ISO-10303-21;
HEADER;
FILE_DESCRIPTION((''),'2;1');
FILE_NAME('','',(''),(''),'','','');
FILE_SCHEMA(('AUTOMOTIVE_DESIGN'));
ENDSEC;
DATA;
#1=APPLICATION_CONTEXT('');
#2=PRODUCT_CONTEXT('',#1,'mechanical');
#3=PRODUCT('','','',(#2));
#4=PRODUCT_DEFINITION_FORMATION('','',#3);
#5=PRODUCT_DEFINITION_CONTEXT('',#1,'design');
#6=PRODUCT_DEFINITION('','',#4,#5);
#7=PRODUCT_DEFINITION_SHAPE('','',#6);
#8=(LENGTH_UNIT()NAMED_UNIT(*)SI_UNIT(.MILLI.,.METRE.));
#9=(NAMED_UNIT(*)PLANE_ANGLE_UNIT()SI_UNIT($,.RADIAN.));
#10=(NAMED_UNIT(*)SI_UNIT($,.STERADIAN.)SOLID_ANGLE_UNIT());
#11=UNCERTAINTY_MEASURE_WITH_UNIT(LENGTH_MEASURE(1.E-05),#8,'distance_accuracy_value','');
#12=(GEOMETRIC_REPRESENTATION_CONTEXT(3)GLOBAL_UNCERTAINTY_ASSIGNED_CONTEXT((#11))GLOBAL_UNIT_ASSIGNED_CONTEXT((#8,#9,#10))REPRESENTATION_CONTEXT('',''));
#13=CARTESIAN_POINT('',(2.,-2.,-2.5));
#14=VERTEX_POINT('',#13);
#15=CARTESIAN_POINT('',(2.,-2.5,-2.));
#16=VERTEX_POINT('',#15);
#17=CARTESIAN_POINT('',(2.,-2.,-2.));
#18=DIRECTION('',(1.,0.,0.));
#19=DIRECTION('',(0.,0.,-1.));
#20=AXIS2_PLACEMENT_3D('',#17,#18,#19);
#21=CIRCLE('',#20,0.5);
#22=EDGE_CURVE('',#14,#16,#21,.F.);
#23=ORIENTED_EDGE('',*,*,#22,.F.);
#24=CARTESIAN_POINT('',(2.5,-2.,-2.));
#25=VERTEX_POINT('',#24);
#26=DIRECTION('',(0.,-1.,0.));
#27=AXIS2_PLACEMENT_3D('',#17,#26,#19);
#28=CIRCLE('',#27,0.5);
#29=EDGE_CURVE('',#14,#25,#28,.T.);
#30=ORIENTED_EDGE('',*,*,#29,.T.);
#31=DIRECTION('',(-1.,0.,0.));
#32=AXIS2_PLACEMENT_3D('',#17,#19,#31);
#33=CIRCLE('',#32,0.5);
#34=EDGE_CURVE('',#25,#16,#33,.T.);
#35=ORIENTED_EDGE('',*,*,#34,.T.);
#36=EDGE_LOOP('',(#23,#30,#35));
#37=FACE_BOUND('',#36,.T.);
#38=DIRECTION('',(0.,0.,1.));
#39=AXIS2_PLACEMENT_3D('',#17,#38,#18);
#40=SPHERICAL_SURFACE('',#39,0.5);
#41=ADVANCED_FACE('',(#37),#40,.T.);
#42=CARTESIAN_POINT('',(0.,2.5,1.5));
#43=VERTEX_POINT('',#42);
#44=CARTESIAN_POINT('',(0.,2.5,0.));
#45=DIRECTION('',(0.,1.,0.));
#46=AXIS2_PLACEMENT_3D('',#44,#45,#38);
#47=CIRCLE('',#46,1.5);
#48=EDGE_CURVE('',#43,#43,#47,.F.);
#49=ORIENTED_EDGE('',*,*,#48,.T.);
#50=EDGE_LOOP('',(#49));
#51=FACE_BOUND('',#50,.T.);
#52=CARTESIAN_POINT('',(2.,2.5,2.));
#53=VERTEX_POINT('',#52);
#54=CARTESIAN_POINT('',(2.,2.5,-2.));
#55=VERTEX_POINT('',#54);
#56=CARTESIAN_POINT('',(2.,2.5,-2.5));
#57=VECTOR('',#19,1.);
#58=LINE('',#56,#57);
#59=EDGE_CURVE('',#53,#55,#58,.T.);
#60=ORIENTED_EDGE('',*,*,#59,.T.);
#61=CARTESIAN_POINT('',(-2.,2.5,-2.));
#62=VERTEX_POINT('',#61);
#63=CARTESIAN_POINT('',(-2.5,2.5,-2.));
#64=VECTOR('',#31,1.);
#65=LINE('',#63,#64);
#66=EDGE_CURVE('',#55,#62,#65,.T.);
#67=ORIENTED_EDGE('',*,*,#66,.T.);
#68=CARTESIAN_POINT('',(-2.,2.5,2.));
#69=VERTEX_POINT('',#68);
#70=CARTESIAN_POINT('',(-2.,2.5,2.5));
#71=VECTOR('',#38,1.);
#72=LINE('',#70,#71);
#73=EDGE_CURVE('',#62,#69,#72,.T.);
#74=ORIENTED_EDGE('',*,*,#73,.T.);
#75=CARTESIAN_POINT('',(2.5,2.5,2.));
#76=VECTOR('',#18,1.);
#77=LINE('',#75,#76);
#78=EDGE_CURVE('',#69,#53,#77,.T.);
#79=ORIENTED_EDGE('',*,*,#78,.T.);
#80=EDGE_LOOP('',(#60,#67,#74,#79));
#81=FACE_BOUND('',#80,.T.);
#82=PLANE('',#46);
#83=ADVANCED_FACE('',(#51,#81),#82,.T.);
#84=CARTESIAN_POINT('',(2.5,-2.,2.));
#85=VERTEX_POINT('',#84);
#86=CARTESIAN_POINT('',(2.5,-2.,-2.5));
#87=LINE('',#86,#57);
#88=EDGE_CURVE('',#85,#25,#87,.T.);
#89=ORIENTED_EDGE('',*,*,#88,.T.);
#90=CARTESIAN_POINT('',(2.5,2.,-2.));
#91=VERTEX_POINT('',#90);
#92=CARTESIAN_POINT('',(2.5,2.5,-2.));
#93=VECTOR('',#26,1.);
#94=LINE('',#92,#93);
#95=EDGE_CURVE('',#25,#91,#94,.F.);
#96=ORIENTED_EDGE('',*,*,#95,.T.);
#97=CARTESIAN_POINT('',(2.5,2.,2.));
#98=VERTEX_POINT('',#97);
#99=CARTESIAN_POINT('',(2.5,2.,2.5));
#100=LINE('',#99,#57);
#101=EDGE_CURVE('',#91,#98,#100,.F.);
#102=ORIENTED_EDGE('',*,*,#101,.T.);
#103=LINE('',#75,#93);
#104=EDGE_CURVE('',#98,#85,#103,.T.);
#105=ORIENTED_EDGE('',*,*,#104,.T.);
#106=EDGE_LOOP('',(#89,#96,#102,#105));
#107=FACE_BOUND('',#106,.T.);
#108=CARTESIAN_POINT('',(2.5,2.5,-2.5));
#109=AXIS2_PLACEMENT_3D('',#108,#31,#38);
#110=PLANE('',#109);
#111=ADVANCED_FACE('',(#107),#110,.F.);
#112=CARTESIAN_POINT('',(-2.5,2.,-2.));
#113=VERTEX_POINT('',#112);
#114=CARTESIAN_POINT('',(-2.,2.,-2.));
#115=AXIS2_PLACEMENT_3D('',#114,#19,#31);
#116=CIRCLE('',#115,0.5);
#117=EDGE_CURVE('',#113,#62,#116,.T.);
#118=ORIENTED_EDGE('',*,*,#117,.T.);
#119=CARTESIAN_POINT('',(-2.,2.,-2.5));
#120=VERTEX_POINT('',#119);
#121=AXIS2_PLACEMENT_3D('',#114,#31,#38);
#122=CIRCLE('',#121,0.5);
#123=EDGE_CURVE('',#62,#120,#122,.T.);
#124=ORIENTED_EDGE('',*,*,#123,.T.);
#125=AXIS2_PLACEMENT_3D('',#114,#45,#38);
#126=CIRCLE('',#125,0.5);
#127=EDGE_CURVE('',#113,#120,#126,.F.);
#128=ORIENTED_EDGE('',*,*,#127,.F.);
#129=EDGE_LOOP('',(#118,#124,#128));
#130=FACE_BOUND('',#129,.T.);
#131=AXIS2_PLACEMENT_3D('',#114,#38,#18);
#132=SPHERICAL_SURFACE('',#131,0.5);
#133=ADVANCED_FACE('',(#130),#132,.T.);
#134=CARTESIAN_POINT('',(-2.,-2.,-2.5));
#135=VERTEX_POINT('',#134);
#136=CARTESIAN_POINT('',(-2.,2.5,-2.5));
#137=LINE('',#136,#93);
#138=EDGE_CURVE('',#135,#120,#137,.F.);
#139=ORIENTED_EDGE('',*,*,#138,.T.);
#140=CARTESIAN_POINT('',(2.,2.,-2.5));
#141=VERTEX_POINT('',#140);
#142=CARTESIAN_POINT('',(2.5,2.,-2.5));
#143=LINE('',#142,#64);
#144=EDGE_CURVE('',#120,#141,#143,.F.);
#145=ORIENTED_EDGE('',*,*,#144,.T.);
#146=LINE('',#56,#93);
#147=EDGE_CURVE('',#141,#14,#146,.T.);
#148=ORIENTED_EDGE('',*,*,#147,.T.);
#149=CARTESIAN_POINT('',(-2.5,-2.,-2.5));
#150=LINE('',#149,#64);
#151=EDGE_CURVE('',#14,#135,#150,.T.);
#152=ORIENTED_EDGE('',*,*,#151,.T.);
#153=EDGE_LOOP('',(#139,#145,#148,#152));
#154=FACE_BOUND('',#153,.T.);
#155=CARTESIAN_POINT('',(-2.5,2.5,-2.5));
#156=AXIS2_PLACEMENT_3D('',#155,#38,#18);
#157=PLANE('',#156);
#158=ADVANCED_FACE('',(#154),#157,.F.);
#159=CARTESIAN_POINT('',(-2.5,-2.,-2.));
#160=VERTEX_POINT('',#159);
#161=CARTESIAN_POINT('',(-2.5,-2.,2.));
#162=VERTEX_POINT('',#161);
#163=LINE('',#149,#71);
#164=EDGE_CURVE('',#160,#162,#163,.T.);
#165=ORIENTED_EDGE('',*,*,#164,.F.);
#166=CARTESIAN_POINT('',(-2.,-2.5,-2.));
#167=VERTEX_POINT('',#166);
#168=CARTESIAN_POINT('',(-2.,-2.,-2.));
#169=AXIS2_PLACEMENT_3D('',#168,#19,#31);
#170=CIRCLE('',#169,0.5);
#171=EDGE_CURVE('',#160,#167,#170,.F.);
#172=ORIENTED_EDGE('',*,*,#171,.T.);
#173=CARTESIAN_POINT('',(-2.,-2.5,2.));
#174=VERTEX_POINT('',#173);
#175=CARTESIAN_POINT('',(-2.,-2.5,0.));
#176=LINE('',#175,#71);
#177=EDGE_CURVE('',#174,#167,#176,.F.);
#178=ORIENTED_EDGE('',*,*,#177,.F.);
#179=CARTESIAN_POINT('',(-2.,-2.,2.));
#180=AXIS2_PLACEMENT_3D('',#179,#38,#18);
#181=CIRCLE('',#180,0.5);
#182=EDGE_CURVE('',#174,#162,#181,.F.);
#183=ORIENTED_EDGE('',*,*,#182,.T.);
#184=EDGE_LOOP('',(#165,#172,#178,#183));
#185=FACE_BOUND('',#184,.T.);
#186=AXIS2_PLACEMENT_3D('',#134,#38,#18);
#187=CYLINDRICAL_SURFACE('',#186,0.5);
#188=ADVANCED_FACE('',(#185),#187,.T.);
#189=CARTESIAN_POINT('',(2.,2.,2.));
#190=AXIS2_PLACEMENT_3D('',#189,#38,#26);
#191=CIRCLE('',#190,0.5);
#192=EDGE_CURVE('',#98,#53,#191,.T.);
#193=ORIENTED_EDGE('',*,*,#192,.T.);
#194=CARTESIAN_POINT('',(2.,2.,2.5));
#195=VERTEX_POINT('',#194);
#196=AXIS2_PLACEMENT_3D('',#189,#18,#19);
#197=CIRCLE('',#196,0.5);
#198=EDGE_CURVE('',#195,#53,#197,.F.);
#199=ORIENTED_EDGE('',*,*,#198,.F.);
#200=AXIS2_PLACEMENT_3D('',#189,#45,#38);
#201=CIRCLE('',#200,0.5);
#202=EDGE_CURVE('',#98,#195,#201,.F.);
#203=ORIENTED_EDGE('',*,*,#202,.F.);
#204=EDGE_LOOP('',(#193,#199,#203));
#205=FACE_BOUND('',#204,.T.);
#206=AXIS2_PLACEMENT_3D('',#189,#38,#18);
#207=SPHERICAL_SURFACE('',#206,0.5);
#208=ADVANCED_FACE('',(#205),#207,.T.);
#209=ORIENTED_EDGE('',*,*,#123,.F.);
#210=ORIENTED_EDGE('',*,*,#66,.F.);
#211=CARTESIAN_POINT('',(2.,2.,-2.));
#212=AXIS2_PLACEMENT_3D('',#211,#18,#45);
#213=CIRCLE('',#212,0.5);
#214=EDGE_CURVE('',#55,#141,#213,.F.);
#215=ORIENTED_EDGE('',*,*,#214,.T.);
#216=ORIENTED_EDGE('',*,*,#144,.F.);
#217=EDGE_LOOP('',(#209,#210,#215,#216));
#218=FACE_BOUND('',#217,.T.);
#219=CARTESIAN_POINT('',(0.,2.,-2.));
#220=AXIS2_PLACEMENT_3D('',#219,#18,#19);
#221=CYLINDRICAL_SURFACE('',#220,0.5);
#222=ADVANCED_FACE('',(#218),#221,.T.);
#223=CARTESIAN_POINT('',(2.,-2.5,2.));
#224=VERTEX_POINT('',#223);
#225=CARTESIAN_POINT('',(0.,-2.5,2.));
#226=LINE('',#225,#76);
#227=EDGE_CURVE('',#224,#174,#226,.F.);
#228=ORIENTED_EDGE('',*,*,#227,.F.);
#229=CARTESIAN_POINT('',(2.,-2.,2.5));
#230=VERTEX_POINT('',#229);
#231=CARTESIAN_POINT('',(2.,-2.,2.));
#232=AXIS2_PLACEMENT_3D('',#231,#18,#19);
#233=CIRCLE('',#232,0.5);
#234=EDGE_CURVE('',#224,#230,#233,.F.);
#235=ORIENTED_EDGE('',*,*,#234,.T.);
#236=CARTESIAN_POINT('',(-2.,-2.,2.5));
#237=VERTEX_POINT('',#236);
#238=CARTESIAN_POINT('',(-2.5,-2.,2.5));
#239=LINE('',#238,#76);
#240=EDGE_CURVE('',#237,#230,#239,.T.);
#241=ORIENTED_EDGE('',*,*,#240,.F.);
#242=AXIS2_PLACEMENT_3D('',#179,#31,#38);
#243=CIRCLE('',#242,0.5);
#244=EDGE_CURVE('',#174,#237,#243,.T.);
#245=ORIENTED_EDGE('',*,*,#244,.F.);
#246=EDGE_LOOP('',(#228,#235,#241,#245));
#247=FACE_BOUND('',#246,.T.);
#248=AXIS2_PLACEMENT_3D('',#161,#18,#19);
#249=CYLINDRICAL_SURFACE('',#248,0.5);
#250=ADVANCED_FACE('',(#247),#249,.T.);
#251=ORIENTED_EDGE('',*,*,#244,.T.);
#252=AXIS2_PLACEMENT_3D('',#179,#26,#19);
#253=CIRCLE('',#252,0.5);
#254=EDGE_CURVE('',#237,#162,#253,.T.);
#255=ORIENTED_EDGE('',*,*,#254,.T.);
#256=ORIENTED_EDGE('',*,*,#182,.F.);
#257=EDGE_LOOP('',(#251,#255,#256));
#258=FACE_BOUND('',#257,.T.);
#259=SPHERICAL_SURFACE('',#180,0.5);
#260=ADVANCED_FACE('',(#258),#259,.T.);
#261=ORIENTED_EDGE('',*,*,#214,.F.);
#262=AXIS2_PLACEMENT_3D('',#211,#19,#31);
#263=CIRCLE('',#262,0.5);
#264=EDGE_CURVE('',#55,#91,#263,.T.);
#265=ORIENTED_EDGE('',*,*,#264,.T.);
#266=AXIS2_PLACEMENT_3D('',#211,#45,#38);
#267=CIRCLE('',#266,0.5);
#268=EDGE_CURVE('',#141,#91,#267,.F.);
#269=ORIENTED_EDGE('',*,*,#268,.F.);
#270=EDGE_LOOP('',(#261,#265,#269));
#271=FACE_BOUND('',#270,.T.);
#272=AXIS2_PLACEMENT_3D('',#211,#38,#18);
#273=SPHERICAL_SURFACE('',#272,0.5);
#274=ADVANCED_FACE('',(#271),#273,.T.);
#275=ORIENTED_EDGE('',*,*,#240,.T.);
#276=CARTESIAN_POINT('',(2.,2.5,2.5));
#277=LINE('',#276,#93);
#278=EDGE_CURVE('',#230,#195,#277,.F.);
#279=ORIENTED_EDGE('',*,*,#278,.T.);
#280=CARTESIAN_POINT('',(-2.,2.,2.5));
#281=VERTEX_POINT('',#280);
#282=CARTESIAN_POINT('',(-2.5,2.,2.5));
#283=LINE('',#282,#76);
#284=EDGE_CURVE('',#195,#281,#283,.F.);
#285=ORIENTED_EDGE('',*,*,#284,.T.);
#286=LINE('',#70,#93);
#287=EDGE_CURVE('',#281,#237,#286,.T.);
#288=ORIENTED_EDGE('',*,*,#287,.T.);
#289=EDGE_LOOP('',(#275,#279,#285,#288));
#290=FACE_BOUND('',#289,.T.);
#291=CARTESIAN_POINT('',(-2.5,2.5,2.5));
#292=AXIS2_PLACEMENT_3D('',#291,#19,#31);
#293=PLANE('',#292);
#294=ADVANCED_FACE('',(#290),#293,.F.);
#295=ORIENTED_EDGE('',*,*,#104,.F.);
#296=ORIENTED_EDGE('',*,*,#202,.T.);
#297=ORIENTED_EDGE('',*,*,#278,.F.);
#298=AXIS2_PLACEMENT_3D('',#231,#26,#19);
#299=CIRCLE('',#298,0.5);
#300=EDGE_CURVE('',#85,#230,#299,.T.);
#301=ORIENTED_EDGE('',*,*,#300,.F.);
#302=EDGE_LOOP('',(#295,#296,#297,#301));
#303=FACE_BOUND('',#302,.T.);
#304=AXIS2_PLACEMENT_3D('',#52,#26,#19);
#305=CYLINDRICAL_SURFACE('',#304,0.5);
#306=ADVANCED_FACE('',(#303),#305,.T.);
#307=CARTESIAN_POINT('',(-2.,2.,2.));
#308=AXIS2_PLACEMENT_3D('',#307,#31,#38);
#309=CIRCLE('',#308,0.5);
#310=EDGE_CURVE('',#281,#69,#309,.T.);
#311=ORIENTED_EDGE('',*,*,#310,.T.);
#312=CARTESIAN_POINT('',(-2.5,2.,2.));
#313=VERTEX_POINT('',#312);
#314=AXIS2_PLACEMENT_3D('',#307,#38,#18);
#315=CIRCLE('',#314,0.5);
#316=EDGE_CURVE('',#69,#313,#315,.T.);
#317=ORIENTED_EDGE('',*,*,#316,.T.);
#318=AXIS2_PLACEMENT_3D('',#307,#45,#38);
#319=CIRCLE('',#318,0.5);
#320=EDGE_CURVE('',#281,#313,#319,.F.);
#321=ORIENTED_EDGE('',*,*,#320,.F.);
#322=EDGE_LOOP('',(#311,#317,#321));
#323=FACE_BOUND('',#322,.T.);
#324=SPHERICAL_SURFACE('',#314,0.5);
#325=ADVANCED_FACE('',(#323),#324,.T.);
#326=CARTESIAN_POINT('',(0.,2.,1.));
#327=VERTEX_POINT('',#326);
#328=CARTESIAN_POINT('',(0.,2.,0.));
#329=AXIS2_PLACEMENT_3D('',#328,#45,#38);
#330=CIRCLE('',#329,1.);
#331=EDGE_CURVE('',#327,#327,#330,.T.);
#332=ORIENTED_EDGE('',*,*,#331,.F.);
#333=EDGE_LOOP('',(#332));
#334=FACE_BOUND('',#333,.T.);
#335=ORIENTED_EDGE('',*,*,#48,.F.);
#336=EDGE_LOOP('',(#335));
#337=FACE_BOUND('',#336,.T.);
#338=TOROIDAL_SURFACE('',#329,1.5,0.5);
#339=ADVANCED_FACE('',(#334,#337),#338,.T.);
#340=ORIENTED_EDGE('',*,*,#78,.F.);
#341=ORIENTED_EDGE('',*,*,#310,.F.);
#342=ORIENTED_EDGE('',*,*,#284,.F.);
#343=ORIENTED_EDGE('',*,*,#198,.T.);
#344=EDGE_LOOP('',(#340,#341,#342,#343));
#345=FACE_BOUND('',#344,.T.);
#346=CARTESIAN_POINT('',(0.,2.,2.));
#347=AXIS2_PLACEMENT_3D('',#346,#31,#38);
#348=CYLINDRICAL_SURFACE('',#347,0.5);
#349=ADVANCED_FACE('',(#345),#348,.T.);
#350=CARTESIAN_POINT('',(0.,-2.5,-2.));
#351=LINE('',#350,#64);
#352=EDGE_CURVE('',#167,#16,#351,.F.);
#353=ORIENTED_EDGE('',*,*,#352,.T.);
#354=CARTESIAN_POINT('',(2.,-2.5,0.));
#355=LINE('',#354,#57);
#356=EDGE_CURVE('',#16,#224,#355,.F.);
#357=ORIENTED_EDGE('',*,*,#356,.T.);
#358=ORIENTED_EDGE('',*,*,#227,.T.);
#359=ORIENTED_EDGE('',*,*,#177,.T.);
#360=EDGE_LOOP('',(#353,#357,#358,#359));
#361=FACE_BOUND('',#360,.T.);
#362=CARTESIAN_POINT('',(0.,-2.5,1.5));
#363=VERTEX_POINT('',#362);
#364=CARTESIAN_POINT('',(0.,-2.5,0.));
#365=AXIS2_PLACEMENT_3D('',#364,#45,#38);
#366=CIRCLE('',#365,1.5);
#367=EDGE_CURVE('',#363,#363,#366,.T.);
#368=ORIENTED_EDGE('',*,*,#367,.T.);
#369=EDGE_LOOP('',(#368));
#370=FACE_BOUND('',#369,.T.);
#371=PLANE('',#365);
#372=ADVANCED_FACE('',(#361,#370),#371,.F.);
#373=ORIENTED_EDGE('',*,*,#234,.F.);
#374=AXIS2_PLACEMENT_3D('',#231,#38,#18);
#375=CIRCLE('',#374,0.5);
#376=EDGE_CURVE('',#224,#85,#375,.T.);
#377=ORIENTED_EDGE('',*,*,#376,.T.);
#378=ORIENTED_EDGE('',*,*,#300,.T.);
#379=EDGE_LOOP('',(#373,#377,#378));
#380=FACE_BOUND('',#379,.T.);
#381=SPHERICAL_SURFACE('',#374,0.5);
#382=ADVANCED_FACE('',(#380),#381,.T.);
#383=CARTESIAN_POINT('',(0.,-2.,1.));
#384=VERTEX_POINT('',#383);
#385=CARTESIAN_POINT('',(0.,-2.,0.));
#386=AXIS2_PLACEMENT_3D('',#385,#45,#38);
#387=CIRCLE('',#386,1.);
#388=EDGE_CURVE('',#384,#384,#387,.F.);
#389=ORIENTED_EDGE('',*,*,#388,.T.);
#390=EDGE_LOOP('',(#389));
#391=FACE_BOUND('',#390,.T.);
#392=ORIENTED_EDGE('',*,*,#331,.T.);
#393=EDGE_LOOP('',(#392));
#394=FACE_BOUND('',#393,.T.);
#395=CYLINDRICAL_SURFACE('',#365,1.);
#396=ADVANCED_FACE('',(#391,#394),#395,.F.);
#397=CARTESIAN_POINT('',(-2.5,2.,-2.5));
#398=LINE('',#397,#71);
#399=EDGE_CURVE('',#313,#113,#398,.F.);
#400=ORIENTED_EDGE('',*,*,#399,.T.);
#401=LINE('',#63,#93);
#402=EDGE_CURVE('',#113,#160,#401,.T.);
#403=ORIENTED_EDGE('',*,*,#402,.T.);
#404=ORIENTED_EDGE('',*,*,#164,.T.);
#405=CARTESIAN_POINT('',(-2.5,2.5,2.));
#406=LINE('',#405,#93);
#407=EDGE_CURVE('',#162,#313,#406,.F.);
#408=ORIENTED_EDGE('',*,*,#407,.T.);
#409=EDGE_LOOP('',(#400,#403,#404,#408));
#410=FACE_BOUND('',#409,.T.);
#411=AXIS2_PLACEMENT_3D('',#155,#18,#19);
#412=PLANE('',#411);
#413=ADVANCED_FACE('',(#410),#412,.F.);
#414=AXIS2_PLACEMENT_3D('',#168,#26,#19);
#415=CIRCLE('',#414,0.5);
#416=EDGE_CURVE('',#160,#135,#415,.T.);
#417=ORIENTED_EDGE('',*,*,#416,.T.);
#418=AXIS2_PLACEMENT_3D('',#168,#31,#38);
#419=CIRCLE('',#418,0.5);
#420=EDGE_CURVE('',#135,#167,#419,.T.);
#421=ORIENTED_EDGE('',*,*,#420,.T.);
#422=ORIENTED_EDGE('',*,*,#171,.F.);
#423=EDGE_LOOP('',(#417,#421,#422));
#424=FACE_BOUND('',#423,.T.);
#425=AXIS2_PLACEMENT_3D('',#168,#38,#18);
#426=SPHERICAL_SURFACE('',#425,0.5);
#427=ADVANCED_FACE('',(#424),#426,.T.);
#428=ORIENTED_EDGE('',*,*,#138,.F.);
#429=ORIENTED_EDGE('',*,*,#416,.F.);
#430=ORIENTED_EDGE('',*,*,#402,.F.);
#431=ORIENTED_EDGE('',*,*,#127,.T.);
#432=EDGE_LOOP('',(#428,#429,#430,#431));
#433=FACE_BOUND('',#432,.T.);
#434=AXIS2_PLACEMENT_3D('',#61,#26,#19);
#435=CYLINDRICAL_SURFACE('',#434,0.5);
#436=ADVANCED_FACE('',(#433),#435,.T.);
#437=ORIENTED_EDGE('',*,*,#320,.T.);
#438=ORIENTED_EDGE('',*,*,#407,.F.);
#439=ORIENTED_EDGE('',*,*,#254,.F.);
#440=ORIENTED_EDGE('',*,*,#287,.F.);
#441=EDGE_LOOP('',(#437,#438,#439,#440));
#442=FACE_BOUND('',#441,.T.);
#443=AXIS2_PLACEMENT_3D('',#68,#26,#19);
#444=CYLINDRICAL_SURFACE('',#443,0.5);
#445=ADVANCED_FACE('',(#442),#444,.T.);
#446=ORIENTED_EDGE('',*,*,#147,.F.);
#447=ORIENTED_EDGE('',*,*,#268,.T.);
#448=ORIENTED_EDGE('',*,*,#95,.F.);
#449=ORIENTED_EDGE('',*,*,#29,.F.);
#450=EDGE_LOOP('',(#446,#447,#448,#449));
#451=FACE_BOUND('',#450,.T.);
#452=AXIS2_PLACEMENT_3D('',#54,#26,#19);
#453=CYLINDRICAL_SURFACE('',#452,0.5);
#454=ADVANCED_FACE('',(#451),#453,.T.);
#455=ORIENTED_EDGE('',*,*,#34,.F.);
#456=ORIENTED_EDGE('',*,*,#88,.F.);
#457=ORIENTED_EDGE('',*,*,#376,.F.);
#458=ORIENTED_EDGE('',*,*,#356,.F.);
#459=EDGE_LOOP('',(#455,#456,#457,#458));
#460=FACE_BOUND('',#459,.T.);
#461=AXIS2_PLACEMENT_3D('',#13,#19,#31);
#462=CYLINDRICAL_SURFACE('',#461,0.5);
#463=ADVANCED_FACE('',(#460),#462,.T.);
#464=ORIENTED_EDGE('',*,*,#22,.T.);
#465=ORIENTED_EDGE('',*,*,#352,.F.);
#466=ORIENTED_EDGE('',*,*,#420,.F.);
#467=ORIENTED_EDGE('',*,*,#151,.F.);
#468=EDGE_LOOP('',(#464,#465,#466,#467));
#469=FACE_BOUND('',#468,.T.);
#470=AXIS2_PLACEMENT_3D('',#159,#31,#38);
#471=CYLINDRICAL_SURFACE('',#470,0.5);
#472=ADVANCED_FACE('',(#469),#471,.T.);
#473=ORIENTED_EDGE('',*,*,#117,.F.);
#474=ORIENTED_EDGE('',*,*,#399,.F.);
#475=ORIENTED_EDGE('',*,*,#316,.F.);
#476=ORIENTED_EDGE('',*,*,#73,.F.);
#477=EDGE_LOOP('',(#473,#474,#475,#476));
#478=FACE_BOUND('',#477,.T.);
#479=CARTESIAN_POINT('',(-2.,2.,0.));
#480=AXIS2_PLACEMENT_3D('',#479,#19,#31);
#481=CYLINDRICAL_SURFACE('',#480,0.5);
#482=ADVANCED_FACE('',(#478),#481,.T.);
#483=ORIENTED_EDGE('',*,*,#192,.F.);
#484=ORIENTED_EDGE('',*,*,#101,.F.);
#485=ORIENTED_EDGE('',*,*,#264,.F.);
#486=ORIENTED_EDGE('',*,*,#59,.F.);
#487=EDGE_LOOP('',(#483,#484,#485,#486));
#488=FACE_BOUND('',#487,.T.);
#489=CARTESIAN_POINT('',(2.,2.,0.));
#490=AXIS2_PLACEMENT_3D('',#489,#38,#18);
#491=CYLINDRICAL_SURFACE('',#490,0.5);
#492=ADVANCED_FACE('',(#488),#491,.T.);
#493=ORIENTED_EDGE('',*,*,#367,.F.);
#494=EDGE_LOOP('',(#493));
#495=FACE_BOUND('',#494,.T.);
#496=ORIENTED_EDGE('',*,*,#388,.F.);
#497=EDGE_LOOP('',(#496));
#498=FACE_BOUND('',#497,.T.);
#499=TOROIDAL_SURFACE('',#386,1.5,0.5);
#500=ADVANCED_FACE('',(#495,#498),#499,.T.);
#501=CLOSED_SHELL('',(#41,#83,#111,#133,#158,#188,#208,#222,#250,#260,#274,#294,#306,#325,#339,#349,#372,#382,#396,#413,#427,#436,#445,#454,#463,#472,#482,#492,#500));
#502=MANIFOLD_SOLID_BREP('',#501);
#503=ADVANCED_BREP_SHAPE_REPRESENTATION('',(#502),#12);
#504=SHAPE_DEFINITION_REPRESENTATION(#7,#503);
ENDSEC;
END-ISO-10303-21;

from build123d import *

# Parameters (mm, degrees)
CROQUIS1_W              = 5
CROQUIS1_H              = 5
SALIENTE_EXTRUIR1_DEPTH = 2.5
CROQUIS2_R              = 1
CORTAR_EXTRUIR1_DEPTH   = 6
REDONDEO1_R             = 0.5


with BuildPart() as part:
    # Croquis1 → Saliente-Extruir1 (new body, symmetric)
    with BuildSketch(Plane(origin=(0, 0, 0), x_dir=(1, 0, 0), z_dir=(0, 1, 0))):
        Rectangle(CROQUIS1_W, CROQUIS1_H)
    extrude(amount=SALIENTE_EXTRUIR1_DEPTH, both=True)

    # Croquis2 → Cortar-Extruir1 (cut, through all)
    with BuildSketch(Plane(origin=(0, 2.5, 0), x_dir=(1, 0, 0), z_dir=(0, 1, 0))):
        Circle(CROQUIS2_R)
    extrude(amount=-CORTAR_EXTRUIR1_DEPTH, mode=Mode.SUBTRACT)

    # Redondeo1
    redondeo1_edges = [part.edges().sort_by_distance(p)[0] for p in [
        (-2.5, 2.5, 0),
        (0, 2.5, 2.5),
        (-1, -2.5, 0),
        (-1, 2.5, 0),
        (2.5, 2.5, 0),
        (0, -2.5, 2.5),
        (-2.5, -2.5, 0),
        (0, -2.5, -2.5),
        (2.5, -2.5, 0),
        (0, 2.5, -2.5),
        (2.5, 0, 2.5),
        (-2.5, 0, 2.5),
        (-2.5, 0, -2.5),
        (2.5, 0, -2.5),
    ]]
    fillet(redondeo1_edges, radius=REDONDEO1_R)


solid = part.part
